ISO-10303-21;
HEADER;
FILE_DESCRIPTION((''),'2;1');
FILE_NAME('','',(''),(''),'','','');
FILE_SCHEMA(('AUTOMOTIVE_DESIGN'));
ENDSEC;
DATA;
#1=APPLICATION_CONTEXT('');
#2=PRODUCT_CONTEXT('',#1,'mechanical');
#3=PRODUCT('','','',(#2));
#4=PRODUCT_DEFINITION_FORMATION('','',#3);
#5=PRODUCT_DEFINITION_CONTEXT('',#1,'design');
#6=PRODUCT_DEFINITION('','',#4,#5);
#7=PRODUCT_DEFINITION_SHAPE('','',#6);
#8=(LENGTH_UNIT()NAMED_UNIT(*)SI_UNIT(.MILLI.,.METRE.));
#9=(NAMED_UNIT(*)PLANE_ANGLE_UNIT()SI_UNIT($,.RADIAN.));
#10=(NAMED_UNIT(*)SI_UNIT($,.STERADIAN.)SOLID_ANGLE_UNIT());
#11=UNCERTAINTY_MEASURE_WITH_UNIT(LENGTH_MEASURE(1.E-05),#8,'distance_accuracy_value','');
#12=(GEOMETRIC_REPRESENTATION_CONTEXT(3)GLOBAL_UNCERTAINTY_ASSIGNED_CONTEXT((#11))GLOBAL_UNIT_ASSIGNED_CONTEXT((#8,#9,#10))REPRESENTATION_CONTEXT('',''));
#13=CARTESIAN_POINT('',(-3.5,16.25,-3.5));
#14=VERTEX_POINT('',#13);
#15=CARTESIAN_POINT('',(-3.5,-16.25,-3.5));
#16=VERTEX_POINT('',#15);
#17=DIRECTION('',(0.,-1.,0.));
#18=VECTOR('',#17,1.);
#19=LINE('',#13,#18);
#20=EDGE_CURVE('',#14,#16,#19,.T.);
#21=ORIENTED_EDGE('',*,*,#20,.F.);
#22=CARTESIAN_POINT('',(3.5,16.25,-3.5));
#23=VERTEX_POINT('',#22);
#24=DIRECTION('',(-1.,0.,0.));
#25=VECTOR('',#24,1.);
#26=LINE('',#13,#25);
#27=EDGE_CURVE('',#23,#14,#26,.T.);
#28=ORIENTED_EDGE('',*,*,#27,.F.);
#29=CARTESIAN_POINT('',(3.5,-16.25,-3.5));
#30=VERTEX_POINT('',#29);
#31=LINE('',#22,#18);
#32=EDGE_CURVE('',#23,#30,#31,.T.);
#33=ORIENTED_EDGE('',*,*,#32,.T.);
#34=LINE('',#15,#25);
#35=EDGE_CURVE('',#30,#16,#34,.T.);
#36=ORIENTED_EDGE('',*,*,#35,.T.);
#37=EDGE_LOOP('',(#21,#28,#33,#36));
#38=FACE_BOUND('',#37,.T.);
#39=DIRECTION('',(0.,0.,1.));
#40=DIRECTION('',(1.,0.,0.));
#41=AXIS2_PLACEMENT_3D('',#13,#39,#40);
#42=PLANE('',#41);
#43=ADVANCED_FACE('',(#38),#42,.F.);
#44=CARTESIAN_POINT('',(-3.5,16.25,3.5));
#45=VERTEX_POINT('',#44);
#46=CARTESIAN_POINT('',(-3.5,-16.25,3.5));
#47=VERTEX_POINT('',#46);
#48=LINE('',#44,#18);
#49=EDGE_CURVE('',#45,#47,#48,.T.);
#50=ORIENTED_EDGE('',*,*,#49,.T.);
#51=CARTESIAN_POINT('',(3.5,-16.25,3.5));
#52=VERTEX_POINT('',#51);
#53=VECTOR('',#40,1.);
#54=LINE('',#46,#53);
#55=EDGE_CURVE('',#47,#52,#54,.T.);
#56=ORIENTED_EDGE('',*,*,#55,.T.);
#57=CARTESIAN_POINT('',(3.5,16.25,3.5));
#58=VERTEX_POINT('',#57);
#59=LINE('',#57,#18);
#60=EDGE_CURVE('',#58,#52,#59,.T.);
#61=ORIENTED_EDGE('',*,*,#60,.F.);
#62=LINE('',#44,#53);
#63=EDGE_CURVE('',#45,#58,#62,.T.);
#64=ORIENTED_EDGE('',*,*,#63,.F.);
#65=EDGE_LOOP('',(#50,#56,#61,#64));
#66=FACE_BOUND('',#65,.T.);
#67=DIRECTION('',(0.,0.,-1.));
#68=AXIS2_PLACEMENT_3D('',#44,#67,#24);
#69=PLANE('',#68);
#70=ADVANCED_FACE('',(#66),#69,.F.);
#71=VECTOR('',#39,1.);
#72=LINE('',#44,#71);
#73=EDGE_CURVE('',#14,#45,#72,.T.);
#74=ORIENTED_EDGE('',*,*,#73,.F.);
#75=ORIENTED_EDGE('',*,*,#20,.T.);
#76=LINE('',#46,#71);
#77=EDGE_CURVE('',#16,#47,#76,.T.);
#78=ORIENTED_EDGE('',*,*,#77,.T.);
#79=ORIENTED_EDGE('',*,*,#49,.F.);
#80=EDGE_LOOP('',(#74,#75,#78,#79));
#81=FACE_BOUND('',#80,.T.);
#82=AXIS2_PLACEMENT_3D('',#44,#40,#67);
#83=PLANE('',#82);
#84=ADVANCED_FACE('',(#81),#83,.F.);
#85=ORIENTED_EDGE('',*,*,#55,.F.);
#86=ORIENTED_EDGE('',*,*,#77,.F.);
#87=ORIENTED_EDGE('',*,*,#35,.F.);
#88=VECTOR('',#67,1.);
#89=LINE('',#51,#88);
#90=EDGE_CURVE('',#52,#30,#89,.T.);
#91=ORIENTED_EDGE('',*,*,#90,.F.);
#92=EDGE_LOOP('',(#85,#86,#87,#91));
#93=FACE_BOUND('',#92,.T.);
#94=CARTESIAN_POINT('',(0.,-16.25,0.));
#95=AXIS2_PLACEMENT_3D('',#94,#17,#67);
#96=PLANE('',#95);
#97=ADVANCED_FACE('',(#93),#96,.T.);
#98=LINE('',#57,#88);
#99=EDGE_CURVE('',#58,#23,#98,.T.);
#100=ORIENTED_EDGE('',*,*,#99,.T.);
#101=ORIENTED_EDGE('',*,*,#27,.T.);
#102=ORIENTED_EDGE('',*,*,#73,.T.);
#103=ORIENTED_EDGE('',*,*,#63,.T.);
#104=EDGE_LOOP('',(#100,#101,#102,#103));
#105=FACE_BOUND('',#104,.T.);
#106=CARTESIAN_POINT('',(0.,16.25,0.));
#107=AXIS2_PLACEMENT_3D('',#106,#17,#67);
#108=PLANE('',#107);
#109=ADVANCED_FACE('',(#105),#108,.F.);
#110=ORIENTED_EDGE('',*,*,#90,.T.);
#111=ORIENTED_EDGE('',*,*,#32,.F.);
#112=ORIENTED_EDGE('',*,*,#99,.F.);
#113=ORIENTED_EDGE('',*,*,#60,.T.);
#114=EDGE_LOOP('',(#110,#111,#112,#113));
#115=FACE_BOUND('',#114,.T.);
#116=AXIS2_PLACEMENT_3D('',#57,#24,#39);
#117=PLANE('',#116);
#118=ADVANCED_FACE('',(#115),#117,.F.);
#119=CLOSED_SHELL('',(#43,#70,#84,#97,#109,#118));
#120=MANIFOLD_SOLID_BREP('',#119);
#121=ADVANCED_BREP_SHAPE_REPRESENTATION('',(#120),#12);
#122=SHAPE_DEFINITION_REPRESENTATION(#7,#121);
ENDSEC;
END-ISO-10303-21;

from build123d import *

# Parameters (mm, degrees)
CROQUIS1_W              = 7
CROQUIS1_H              = 7
SALIENTE_EXTRUIR1_DEPTH = 16.25


with BuildPart() as part:
    # Croquis1 → Saliente-Extruir1 (new, symmetric)
    with BuildSketch(Plane(origin=(0, 0, 0), x_dir=(1, 0, 0), z_dir=(0, 1, 0))):
        Rectangle(CROQUIS1_W, CROQUIS1_H)
    extrude(amount=SALIENTE_EXTRUIR1_DEPTH, both=True)


solid = part.part
